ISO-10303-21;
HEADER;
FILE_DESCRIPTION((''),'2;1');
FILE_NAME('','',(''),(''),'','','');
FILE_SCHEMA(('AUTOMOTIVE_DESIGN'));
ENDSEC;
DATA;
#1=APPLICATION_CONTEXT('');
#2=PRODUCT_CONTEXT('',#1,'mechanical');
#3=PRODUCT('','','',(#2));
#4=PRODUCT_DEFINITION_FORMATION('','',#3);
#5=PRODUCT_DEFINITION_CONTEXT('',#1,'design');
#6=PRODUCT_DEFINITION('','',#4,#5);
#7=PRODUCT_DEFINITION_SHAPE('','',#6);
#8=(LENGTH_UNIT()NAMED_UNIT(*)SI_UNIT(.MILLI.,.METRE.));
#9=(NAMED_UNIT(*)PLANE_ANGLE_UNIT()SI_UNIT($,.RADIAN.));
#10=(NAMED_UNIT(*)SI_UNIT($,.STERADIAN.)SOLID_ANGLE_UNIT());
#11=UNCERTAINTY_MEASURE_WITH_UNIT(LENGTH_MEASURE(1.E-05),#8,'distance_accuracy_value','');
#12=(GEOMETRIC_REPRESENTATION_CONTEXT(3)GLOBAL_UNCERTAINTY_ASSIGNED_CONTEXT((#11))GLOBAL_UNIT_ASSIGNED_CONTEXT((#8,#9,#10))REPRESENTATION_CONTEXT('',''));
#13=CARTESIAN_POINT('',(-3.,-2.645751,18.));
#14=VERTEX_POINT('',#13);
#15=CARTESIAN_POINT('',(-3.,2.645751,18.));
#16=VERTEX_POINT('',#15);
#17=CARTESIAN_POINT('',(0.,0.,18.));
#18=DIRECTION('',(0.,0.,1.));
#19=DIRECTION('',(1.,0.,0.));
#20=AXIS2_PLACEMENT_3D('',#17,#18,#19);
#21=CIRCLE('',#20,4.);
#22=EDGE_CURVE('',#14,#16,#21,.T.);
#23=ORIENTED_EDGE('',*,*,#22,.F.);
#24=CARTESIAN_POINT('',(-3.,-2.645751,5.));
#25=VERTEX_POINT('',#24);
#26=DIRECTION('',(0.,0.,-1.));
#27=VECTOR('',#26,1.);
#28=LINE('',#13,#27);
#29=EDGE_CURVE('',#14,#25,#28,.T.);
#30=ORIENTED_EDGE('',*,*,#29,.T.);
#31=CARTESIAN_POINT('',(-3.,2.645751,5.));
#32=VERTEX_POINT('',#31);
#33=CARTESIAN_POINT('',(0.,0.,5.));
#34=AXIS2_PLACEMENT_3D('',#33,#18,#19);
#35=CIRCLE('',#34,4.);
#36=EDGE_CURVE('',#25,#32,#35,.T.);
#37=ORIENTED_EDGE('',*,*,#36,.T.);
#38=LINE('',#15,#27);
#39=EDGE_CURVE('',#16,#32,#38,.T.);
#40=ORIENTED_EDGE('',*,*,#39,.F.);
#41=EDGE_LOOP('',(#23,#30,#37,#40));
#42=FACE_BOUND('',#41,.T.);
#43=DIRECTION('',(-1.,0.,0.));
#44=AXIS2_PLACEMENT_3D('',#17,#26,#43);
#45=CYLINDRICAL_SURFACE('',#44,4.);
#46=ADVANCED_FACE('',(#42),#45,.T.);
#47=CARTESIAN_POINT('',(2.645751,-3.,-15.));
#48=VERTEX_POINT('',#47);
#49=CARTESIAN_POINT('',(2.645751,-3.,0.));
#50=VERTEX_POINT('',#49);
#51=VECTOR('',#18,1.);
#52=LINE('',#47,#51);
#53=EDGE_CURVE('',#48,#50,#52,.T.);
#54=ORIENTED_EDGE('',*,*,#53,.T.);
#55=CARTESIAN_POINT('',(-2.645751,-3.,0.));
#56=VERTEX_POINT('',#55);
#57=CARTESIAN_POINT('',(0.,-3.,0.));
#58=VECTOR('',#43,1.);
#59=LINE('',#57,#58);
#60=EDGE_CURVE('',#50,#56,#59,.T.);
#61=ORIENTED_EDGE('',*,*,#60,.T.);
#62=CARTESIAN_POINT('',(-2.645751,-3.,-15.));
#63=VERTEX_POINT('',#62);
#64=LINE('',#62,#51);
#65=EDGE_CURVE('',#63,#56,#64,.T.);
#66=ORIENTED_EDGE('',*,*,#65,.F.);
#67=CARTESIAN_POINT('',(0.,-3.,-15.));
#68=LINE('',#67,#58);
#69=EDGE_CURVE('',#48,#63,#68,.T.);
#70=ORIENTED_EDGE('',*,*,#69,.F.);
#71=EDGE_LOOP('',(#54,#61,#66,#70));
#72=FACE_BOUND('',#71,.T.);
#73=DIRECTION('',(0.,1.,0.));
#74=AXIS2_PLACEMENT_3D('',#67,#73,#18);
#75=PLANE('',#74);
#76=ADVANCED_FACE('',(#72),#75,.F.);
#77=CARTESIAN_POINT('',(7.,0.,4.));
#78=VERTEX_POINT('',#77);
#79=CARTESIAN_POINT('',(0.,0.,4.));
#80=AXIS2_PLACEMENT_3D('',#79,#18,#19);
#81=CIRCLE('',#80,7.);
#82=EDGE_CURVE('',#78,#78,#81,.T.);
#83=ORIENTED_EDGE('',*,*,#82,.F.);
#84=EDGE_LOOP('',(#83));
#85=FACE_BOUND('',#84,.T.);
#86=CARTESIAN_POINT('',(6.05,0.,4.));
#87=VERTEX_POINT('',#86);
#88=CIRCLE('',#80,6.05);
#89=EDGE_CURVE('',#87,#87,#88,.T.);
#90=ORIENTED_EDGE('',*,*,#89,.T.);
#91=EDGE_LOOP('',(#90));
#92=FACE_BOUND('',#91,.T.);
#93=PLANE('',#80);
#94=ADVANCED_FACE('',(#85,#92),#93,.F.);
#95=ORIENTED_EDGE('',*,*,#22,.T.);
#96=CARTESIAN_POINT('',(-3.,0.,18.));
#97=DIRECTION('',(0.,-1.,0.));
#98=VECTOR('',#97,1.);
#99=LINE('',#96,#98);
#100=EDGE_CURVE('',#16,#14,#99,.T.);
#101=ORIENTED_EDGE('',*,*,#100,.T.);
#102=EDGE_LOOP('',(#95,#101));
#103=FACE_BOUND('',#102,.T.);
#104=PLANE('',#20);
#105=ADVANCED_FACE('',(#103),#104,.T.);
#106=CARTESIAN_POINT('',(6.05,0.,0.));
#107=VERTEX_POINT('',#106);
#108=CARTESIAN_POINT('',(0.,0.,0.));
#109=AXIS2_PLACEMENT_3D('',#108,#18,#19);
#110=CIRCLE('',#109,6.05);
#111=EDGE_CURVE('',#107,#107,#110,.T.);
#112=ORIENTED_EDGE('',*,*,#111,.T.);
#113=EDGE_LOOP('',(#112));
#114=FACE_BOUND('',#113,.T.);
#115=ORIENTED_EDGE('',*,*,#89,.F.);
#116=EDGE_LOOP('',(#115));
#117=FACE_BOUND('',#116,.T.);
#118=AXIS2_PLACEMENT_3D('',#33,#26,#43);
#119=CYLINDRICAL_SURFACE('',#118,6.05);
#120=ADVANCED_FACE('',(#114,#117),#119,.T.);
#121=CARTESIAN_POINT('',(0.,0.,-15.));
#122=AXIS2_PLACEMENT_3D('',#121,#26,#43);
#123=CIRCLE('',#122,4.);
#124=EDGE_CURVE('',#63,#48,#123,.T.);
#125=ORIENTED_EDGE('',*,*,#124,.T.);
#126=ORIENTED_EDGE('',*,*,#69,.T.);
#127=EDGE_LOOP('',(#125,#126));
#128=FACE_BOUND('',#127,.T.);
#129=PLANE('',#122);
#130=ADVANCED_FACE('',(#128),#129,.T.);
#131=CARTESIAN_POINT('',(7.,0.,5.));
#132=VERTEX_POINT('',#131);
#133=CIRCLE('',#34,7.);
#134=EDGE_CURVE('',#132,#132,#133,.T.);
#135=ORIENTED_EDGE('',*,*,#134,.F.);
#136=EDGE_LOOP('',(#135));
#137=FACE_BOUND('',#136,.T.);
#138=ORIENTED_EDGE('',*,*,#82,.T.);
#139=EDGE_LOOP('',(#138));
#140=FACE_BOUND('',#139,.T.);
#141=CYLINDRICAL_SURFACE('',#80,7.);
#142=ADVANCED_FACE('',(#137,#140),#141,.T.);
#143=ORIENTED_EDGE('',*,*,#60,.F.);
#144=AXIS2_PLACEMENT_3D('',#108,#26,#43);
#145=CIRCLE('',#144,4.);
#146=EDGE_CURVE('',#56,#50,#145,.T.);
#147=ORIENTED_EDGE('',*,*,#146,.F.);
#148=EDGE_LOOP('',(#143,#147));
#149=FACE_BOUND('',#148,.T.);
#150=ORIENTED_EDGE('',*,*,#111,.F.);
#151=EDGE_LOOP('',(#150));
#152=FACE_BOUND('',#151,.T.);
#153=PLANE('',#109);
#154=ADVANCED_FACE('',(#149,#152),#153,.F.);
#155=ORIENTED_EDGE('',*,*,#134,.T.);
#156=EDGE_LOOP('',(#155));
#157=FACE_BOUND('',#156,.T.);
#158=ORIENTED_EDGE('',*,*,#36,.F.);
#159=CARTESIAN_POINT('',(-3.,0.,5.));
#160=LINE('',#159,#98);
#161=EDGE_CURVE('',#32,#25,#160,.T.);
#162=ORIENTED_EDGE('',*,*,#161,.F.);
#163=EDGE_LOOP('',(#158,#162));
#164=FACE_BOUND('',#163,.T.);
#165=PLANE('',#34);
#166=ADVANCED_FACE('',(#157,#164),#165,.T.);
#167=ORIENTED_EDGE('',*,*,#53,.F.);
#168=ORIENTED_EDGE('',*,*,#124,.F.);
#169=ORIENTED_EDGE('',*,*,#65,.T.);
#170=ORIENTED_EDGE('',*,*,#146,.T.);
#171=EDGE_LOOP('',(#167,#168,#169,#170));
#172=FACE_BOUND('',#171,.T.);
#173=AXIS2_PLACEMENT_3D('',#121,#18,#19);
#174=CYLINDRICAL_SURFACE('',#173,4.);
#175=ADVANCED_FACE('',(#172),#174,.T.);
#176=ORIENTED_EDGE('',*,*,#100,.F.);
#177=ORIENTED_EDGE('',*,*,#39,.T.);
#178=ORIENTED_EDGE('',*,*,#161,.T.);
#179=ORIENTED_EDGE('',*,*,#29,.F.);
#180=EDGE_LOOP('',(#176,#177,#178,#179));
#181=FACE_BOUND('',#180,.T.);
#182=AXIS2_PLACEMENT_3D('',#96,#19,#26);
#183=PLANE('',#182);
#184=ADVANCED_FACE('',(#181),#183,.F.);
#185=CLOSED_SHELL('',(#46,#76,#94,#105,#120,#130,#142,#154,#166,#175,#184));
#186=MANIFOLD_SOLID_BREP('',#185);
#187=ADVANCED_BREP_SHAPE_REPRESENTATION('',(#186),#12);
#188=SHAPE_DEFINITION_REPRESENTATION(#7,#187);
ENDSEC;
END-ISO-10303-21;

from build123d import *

# Parameters (mm, degrees)
SKETCH_1_R      = 6.05
EXTRUDE_1_DEPTH = 5
SKETCH_7_R      = 7
EXTRUDE_6_DEPTH = 1
EXTRUDE_2_DEPTH = 13
EXTRUDE_3_DEPTH = 15


with BuildPart() as part:
    # 草图1 → 凸台-拉伸1 (new body)
    with BuildSketch(Plane.XY):
        Circle(SKETCH_1_R)
    extrude(amount=EXTRUDE_1_DEPTH)

    # 草图7 → 凸台-拉伸6 (add)
    with BuildSketch(Plane.XY.offset(5)):
        Circle(SKETCH_7_R)
    extrude(amount=-EXTRUDE_6_DEPTH)

    # 草图2 → 凸台-拉伸2 (add)
    with BuildSketch(Plane.XY.offset(5)):
        with BuildLine():
            ThreePointArc((4, 0), (1.414213562, 3.741657387), (-3, 2.645751311))
            Line((-3, 2.645751311), (-3, -2.645751311))
            ThreePointArc((-3, -2.645751311), (1.414213562, -3.741657387), (4, 0))
        make_face()
    extrude(amount=EXTRUDE_2_DEPTH)

    # 草图4 → 凸台-拉伸3 (add)
    with BuildSketch(Plane(origin=(0, 0, 0), x_dir=(-1, 0, 0), z_dir=(0, 0, -1))):
        with BuildLine():
            ThreePointArc((4, 0), (-1.645751311, 3.645751311), (-2.645751311, -3))
            Line((-2.645751311, -3), (2.645751311, -3))
            ThreePointArc((2.645751311, -3), (3.645751311, -1.645751311), (4, 0))
        make_face()
    extrude(amount=EXTRUDE_3_DEPTH)


solid = part.part
